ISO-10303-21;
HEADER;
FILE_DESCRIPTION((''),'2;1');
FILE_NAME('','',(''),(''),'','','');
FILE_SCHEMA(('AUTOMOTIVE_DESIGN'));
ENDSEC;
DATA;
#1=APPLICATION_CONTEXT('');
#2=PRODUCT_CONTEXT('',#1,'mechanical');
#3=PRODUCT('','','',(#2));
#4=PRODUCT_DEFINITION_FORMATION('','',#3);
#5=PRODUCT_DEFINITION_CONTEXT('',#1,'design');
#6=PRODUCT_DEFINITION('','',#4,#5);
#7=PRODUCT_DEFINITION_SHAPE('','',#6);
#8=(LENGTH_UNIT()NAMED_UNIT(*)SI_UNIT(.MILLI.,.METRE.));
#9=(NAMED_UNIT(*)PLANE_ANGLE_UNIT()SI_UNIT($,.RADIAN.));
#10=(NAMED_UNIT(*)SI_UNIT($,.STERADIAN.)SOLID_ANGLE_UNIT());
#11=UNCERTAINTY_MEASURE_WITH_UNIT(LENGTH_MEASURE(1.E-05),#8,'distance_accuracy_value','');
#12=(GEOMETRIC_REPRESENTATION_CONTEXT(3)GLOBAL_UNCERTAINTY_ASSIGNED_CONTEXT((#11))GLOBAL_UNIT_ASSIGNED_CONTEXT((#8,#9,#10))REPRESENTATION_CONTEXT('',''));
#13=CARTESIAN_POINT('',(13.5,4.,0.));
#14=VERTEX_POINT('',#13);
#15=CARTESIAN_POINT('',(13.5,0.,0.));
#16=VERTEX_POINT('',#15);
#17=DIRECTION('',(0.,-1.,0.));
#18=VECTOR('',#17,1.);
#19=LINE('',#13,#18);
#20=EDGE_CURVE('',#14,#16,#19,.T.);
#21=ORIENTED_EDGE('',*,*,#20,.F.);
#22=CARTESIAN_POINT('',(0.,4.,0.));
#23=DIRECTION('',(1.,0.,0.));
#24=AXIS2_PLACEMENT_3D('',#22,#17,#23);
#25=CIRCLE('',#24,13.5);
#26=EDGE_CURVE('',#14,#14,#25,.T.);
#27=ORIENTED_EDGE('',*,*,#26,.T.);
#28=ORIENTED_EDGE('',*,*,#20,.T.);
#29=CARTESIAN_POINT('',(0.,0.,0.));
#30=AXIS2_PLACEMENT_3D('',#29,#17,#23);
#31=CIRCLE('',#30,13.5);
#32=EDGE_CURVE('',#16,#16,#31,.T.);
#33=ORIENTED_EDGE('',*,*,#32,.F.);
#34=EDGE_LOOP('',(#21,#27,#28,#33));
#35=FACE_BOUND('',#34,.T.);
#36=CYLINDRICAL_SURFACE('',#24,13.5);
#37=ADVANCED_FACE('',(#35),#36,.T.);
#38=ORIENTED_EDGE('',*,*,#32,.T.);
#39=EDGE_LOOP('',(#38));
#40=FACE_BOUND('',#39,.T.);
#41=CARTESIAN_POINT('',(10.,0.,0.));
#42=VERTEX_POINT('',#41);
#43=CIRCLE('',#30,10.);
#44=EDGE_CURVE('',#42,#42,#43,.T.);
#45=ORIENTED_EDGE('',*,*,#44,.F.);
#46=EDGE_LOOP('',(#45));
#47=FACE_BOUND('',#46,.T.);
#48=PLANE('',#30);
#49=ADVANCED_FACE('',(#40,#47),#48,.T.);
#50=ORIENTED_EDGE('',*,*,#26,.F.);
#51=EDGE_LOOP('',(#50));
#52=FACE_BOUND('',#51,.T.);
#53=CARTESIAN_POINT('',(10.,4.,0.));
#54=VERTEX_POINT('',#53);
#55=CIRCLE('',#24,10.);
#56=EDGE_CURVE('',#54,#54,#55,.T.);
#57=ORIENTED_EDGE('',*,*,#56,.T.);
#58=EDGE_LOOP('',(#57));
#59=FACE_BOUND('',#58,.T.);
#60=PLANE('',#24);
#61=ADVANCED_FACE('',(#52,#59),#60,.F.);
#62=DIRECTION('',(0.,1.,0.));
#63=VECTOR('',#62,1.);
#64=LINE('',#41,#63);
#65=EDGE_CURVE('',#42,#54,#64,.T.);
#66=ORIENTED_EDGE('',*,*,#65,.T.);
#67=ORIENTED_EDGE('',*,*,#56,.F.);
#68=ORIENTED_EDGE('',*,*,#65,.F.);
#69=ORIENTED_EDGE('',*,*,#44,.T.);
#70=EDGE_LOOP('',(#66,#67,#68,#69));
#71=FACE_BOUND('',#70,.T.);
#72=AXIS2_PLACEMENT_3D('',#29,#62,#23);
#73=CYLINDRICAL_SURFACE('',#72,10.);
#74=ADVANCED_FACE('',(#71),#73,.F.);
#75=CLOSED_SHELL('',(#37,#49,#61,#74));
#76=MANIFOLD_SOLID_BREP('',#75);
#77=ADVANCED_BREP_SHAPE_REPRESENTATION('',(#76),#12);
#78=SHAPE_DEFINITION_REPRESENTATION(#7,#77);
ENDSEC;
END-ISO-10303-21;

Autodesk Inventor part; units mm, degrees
ref_plane "YZ Plane" through (0, 0, 0) normal (1, 0, 0) x (0, 1, 0)
ref_plane "XZ Plane" through (0, 0, 0) normal (0, 1, 0) x (-1, 0, 0)
ref_plane "XY Plane" through (0, 0, 0) normal (0, 0, 1) x (1, 0, 0)
sketch "スケッチ1" plane through (0, 0, 0) normal (0, 0, 1) x (1, 0, 0)
  line L0 (0, 29.6124) -> (0, -32.1403)
  line L1 (10, 0) -> (10, 4)
  line L2 (10, 4) -> (13.5, 4)
  line L3 (13.5, 4) -> (13.5, 0)
  line L4 (13.5, 0) -> (10, 0)
  point P0 (0, 0)
  dimension "d0" = 10
  dimension "d1" = 4
  dimension "d2" = 13.5
revolve "回転1" add sketch "スケッチ1" angle 360 about axis through (0, 29.6124, 0) along (0, -1, 0)
properties part number "Diffbox_bear_6704DD" material "鉄、ねずみ鋳鉄"
